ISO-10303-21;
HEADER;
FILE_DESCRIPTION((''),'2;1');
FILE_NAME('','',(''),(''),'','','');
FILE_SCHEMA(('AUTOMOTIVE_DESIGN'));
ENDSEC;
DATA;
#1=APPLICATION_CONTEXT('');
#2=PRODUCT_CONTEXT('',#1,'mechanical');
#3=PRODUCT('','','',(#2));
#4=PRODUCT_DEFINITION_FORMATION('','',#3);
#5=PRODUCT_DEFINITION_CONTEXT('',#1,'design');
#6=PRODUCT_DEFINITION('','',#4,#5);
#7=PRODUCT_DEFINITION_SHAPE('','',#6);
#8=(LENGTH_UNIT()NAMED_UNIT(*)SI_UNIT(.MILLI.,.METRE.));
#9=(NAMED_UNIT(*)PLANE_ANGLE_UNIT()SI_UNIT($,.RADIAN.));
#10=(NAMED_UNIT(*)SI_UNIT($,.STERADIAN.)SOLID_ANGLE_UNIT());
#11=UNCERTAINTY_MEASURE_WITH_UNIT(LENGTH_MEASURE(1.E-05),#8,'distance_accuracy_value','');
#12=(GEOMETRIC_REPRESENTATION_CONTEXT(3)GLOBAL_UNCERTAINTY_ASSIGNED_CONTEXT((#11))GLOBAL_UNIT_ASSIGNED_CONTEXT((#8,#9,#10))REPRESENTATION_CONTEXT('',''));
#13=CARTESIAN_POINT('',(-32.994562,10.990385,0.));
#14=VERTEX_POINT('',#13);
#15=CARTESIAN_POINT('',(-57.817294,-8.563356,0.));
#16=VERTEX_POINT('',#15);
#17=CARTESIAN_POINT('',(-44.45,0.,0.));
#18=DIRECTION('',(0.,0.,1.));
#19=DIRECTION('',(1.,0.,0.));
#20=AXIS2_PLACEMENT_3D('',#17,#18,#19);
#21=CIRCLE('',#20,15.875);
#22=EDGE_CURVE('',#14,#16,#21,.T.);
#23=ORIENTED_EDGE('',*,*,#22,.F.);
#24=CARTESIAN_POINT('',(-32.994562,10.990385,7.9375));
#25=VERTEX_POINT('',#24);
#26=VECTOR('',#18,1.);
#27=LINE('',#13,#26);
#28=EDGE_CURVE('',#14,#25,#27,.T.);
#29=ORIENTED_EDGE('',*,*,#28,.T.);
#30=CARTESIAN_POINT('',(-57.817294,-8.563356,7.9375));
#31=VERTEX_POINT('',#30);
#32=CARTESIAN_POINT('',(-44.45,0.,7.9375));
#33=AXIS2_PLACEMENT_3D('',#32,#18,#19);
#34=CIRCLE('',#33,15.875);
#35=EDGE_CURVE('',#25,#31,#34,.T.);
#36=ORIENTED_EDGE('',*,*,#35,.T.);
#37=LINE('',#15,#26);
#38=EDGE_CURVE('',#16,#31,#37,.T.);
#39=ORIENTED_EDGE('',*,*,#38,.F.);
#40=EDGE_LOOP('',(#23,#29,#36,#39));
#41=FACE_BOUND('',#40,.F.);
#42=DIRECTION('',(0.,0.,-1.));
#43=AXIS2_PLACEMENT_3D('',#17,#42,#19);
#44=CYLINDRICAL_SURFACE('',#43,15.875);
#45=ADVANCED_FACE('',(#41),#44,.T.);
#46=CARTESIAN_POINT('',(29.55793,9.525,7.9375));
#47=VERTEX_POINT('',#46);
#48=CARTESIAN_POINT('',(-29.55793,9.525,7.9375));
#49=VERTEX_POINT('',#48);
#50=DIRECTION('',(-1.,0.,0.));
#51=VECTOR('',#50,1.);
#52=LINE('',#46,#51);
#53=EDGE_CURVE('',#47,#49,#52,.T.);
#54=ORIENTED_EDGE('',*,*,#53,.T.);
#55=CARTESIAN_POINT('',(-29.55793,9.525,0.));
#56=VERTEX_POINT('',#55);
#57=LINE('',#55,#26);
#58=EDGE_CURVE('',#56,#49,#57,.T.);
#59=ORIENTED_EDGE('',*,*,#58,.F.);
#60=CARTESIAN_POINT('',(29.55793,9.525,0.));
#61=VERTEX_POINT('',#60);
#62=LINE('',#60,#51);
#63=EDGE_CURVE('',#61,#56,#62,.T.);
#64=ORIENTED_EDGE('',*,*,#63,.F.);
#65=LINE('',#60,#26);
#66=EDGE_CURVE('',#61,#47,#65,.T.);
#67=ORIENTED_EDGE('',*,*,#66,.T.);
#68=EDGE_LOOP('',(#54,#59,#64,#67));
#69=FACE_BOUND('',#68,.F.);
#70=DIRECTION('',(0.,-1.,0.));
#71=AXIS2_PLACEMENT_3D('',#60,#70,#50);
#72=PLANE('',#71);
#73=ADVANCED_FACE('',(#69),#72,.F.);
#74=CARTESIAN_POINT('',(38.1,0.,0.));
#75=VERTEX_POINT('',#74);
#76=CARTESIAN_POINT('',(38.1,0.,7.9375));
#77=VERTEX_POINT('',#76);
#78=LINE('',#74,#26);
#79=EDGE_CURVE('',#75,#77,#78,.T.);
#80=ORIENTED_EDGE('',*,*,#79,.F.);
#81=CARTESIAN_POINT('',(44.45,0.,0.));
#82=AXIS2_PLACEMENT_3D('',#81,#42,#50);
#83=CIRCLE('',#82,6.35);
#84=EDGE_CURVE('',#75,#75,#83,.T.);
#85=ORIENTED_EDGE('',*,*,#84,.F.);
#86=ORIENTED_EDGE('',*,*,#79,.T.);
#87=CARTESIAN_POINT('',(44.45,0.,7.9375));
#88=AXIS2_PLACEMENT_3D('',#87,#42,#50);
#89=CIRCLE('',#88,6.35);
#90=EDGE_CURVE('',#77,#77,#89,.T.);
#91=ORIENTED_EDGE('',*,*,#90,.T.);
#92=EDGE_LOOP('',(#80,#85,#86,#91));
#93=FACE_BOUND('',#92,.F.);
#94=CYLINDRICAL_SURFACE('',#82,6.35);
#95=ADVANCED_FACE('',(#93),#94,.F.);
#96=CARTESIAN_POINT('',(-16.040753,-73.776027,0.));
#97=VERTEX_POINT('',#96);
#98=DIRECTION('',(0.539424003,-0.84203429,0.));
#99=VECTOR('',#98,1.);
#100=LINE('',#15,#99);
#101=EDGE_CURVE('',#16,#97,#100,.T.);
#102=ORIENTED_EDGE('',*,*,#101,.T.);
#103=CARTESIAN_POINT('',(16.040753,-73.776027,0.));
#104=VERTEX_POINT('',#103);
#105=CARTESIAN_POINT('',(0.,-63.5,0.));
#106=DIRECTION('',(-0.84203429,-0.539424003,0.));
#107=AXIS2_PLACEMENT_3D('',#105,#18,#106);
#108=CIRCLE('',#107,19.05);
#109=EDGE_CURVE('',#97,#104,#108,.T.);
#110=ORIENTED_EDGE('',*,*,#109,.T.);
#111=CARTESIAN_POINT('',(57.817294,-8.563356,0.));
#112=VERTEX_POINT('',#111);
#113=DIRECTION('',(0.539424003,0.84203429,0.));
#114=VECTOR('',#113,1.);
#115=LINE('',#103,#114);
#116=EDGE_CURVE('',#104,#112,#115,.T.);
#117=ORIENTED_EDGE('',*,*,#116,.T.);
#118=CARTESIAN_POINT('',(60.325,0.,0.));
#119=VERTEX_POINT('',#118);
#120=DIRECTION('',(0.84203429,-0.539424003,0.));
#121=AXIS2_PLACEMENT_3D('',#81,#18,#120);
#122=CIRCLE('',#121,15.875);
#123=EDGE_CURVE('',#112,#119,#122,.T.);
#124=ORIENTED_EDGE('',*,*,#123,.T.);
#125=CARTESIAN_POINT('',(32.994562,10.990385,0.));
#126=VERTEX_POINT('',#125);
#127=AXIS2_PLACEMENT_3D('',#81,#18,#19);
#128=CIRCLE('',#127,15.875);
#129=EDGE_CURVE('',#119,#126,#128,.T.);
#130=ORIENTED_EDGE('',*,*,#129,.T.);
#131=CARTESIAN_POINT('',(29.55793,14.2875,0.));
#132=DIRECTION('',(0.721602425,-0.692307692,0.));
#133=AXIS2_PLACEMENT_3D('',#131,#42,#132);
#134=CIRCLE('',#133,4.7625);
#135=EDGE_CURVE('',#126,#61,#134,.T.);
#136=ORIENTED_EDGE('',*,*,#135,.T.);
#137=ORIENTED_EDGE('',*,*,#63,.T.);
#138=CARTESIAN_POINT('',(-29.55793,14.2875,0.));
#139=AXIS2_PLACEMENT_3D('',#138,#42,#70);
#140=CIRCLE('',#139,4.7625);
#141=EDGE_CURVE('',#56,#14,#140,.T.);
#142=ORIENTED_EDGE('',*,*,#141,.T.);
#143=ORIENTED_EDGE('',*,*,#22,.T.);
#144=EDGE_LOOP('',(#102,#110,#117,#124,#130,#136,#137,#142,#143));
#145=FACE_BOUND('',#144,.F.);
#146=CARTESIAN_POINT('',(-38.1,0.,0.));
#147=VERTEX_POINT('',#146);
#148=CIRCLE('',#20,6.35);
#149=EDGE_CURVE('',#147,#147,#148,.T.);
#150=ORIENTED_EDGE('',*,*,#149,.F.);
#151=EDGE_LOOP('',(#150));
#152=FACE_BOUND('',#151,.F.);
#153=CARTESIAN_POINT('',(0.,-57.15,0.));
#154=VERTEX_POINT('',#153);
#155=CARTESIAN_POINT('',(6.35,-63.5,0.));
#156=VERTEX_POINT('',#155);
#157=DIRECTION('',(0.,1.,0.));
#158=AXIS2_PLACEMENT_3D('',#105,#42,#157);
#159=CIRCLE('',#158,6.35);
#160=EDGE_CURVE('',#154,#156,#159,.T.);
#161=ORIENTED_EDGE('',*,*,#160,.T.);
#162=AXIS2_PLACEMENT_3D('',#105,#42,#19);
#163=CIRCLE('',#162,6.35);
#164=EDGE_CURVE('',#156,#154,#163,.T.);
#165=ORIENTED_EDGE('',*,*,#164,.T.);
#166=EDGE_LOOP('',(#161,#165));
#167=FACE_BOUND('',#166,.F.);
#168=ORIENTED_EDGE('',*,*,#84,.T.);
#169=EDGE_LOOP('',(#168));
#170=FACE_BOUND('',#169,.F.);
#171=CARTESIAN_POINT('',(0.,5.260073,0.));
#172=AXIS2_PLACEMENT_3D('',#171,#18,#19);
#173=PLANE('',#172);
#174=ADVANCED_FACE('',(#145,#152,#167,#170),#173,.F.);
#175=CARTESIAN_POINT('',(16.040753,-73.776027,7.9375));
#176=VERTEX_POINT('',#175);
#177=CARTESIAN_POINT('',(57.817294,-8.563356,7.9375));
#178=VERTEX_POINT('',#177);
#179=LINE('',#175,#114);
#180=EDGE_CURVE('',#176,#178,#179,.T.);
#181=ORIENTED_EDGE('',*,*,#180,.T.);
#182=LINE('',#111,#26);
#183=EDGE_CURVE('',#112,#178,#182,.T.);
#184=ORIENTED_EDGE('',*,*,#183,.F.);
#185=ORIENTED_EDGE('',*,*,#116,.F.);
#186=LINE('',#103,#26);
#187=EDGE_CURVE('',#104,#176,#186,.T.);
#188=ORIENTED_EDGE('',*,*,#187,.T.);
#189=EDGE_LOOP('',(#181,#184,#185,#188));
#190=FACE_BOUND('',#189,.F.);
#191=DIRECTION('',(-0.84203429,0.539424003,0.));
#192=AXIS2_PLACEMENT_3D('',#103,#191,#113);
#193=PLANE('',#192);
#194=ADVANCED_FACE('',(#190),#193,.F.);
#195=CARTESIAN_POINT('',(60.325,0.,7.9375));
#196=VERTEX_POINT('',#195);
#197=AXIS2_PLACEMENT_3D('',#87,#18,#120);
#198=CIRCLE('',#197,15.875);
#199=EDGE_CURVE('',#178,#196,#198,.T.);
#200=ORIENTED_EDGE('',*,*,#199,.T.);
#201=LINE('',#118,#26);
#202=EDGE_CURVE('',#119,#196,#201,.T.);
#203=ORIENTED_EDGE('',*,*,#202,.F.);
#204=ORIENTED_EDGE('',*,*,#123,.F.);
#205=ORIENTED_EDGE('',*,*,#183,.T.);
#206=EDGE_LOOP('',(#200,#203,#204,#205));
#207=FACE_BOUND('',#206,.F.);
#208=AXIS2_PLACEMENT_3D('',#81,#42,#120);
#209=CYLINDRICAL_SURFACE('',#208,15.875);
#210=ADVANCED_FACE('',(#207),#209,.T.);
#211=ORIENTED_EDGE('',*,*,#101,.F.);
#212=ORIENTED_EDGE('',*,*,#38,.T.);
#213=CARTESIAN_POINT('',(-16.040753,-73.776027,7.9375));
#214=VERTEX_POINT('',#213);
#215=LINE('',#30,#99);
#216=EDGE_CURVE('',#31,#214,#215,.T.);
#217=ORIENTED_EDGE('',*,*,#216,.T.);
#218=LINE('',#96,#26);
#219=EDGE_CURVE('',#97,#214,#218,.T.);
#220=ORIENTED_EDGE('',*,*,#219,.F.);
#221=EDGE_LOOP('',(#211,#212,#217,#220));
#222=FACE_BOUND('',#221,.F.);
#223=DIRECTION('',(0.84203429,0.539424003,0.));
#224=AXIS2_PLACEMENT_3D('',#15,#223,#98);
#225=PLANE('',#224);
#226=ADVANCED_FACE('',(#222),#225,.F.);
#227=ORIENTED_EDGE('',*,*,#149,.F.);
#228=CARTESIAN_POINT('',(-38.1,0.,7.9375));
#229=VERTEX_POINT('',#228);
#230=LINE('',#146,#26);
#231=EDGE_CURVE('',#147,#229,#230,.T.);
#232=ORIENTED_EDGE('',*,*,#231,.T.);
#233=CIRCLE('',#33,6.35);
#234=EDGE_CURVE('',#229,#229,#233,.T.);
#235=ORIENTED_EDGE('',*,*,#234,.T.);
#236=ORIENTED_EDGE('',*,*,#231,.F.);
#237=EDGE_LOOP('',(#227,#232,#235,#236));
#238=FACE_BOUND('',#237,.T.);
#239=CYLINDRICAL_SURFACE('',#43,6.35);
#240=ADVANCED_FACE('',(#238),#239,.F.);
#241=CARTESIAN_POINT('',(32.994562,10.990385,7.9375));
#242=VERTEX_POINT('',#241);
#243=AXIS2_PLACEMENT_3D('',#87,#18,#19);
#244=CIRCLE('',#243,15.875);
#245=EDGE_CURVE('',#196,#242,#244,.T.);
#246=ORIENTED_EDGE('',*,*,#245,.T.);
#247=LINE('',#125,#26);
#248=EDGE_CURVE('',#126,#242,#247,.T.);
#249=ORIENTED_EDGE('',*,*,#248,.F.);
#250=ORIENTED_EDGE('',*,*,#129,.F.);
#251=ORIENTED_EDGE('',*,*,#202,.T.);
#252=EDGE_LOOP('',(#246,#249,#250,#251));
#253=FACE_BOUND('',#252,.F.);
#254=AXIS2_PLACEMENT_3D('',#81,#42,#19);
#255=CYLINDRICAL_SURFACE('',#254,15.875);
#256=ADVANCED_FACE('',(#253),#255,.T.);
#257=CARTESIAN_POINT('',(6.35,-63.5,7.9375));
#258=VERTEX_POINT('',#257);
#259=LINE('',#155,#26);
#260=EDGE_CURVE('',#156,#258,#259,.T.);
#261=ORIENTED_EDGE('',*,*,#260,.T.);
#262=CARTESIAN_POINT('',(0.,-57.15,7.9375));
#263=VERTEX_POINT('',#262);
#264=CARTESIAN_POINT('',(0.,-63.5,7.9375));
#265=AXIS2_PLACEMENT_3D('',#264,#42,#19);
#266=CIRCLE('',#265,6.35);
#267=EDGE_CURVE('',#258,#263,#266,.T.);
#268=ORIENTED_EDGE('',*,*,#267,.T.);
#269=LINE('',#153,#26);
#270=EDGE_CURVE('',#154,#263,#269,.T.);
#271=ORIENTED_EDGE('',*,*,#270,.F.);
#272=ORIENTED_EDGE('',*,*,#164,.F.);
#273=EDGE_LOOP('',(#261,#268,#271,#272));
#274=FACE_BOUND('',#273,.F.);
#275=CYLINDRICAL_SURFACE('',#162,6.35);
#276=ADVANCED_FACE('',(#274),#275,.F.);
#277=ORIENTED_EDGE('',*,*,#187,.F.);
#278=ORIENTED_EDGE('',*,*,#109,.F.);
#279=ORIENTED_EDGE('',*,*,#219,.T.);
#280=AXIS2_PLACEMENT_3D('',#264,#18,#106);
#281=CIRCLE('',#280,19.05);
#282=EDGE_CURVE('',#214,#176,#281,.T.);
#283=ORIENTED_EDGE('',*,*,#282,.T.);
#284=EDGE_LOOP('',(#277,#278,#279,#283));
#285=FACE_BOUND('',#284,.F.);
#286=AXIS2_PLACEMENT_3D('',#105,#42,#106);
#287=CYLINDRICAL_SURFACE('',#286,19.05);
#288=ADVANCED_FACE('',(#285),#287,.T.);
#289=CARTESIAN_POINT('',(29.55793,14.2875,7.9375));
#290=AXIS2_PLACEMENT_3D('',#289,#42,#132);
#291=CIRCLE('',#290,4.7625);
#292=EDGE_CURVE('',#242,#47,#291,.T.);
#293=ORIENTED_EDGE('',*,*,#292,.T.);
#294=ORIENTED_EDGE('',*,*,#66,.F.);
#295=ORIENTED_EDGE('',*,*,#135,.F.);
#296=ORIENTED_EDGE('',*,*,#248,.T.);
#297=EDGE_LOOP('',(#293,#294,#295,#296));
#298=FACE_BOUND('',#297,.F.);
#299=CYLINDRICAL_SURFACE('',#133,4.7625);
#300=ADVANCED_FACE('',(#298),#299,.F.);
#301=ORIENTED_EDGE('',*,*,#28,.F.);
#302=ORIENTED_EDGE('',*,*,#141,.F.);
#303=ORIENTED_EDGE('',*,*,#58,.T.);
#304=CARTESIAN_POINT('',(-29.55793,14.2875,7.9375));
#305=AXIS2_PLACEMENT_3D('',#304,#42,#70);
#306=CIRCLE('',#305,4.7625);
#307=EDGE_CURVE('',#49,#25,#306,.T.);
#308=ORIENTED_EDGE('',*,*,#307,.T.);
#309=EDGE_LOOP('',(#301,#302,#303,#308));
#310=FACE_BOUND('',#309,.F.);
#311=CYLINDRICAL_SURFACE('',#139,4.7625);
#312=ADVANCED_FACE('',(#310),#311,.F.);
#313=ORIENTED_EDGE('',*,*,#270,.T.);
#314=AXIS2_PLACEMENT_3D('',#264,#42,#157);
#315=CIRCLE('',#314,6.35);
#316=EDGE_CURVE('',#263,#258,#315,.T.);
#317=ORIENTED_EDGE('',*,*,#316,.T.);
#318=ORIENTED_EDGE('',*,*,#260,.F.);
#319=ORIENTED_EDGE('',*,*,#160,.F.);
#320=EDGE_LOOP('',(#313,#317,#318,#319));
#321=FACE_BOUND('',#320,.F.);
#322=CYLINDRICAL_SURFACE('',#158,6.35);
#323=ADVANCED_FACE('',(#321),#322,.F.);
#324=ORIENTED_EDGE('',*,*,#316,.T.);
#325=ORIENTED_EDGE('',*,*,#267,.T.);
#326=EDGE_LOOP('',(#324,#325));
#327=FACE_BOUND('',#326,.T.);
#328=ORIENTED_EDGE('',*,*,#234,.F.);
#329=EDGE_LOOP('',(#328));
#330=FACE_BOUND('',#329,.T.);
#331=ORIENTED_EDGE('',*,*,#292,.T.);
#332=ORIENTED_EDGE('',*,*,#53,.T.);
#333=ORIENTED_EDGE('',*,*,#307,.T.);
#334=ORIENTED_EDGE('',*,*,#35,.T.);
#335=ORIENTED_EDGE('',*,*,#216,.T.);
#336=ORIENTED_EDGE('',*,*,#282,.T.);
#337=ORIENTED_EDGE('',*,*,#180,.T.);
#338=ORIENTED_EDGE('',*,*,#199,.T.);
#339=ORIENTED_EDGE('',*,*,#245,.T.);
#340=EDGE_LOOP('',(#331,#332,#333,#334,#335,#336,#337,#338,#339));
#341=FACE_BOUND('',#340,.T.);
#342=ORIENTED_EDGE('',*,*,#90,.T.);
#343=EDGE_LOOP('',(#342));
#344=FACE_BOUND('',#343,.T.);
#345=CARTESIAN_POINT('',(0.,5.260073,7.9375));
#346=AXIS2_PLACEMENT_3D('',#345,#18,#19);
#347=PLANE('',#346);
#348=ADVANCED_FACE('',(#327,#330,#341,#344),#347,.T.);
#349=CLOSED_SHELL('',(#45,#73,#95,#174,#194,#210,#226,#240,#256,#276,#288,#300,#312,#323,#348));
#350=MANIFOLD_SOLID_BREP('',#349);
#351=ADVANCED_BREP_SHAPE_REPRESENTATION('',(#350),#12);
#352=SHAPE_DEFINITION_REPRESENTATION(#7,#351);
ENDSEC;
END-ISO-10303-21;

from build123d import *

# Parameters (mm, degrees)
F0_R     = 6.35
F1_DEPTH = 7.9375


with BuildPart() as f1:
    # F0 (on Top) → F1 (new body)
    with BuildSketch(Plane.XY):
        with BuildLine():
            Line((-28.575, 0), (0, 0))
            Line((0, 0), (28.575, 0))
            ThreePointArc((28.575, 0), (29.7212744775, 5.9228599074), (32.9945615097, 10.9903846154))
            ThreePointArc((32.9945615097, 10.9903846154), (31.4259361498, 9.9066371701), (29.5579299626, 9.525))
            Line((29.5579299626, 9.525), (-29.5579299626, 9.525))
            ThreePointArc((-29.5579299626, 9.525), (-31.4259361498, 9.9066371701), (-32.9945615097, 10.9903846154))
            ThreePointArc((-32.9945615097, 10.9903846154), (-29.7212744775, 5.9228599074), (-28.575, 0))
        make_face()
        with BuildLine():
            Line((0, -44.45), (0, 0))
            Line((0, 0), (-28.575, 0))
            ThreePointArc((-28.575, 0), (-39.9885076941, -15.2351800582), (-57.8172943502, -8.5633560451))
            Line((-57.8172943502, -8.5633560451), (-16.0407532202, -73.7760272542))
            ThreePointArc((-16.0407532202, -73.7760272542), (-16.7131807145, -54.3582227984), (0, -44.45))
        make_face()
        with BuildLine():
            Line((28.575, 0), (0, 0))
            Line((0, 0), (0, -44.45))
            ThreePointArc((0, -44.45), (13.4703841816, -50.0296158184), (19.05, -63.5))
            ThreePointArc((19.05, -63.5), (18.2822160698, -68.8537907671), (16.0407532202, -73.7760272542))
            Line((16.0407532202, -73.7760272542), (57.8172943502, -8.5633560451))
            ThreePointArc((57.8172943502, -8.5633560451), (39.9885076941, -15.2351800582), (28.575, 0))
        make_face()
        with BuildLine():
            ThreePointArc((32.9945615097, 10.9903846154), (29.7212744775, 5.9228599074), (28.575, 0))
            ThreePointArc((28.575, 0), (39.9885076941, -15.2351800582), (57.8172943502, -8.5633560451))
            ThreePointArc((57.8172943502, -8.5633560451), (59.6851800582, -4.4614923059), (60.325, 0))
            ThreePointArc((60.325, 0), (50.3728599074, 14.7287255225), (32.9945615097, 10.9903846154))
        make_face()
        with BuildLine():
            ThreePointArc((50.8, 0), (44.45, -6.35), (38.1, 0))
            ThreePointArc((38.1, 0), (44.45, 6.35), (50.8, 0))
        make_face(mode=Mode.SUBTRACT)
        with BuildLine():
            ThreePointArc((-57.8172943502, -8.5633560451), (-39.9885076941, -15.2351800582), (-28.575, 0))
            ThreePointArc((-28.575, 0), (-29.7212744775, 5.9228599074), (-32.9945615097, 10.9903846154))
            ThreePointArc((-32.9945615097, 10.9903846154), (-54.2734918263, 12.4705506429), (-57.8172943502, -8.5633560451))
        make_face()
        with Locations((-44.45, 0)):
            Circle(F0_R, mode=Mode.SUBTRACT)
        with BuildLine():
            ThreePointArc((19.05, -63.5), (13.4703841816, -50.0296158184), (0, -44.45))
            ThreePointArc((0, -44.45), (-16.7131807145, -54.3582227984), (-16.0407532202, -73.7760272542))
            ThreePointArc((-16.0407532202, -73.7760272542), (0, -82.55), (16.0407532202, -73.7760272542))
            ThreePointArc((16.0407532202, -73.7760272542), (18.2822160698, -68.8537907671), (19.05, -63.5))
        make_face()
        with BuildLine():
            ThreePointArc((6.35, -63.5), (-4.4901280605, -67.9901280605), (0, -57.15))
            ThreePointArc((0, -57.15), (4.4901280605, -59.0098719395), (6.35, -63.5))
        make_face(mode=Mode.SUBTRACT)
    extrude(amount=F1_DEPTH)


solid = f1.part
